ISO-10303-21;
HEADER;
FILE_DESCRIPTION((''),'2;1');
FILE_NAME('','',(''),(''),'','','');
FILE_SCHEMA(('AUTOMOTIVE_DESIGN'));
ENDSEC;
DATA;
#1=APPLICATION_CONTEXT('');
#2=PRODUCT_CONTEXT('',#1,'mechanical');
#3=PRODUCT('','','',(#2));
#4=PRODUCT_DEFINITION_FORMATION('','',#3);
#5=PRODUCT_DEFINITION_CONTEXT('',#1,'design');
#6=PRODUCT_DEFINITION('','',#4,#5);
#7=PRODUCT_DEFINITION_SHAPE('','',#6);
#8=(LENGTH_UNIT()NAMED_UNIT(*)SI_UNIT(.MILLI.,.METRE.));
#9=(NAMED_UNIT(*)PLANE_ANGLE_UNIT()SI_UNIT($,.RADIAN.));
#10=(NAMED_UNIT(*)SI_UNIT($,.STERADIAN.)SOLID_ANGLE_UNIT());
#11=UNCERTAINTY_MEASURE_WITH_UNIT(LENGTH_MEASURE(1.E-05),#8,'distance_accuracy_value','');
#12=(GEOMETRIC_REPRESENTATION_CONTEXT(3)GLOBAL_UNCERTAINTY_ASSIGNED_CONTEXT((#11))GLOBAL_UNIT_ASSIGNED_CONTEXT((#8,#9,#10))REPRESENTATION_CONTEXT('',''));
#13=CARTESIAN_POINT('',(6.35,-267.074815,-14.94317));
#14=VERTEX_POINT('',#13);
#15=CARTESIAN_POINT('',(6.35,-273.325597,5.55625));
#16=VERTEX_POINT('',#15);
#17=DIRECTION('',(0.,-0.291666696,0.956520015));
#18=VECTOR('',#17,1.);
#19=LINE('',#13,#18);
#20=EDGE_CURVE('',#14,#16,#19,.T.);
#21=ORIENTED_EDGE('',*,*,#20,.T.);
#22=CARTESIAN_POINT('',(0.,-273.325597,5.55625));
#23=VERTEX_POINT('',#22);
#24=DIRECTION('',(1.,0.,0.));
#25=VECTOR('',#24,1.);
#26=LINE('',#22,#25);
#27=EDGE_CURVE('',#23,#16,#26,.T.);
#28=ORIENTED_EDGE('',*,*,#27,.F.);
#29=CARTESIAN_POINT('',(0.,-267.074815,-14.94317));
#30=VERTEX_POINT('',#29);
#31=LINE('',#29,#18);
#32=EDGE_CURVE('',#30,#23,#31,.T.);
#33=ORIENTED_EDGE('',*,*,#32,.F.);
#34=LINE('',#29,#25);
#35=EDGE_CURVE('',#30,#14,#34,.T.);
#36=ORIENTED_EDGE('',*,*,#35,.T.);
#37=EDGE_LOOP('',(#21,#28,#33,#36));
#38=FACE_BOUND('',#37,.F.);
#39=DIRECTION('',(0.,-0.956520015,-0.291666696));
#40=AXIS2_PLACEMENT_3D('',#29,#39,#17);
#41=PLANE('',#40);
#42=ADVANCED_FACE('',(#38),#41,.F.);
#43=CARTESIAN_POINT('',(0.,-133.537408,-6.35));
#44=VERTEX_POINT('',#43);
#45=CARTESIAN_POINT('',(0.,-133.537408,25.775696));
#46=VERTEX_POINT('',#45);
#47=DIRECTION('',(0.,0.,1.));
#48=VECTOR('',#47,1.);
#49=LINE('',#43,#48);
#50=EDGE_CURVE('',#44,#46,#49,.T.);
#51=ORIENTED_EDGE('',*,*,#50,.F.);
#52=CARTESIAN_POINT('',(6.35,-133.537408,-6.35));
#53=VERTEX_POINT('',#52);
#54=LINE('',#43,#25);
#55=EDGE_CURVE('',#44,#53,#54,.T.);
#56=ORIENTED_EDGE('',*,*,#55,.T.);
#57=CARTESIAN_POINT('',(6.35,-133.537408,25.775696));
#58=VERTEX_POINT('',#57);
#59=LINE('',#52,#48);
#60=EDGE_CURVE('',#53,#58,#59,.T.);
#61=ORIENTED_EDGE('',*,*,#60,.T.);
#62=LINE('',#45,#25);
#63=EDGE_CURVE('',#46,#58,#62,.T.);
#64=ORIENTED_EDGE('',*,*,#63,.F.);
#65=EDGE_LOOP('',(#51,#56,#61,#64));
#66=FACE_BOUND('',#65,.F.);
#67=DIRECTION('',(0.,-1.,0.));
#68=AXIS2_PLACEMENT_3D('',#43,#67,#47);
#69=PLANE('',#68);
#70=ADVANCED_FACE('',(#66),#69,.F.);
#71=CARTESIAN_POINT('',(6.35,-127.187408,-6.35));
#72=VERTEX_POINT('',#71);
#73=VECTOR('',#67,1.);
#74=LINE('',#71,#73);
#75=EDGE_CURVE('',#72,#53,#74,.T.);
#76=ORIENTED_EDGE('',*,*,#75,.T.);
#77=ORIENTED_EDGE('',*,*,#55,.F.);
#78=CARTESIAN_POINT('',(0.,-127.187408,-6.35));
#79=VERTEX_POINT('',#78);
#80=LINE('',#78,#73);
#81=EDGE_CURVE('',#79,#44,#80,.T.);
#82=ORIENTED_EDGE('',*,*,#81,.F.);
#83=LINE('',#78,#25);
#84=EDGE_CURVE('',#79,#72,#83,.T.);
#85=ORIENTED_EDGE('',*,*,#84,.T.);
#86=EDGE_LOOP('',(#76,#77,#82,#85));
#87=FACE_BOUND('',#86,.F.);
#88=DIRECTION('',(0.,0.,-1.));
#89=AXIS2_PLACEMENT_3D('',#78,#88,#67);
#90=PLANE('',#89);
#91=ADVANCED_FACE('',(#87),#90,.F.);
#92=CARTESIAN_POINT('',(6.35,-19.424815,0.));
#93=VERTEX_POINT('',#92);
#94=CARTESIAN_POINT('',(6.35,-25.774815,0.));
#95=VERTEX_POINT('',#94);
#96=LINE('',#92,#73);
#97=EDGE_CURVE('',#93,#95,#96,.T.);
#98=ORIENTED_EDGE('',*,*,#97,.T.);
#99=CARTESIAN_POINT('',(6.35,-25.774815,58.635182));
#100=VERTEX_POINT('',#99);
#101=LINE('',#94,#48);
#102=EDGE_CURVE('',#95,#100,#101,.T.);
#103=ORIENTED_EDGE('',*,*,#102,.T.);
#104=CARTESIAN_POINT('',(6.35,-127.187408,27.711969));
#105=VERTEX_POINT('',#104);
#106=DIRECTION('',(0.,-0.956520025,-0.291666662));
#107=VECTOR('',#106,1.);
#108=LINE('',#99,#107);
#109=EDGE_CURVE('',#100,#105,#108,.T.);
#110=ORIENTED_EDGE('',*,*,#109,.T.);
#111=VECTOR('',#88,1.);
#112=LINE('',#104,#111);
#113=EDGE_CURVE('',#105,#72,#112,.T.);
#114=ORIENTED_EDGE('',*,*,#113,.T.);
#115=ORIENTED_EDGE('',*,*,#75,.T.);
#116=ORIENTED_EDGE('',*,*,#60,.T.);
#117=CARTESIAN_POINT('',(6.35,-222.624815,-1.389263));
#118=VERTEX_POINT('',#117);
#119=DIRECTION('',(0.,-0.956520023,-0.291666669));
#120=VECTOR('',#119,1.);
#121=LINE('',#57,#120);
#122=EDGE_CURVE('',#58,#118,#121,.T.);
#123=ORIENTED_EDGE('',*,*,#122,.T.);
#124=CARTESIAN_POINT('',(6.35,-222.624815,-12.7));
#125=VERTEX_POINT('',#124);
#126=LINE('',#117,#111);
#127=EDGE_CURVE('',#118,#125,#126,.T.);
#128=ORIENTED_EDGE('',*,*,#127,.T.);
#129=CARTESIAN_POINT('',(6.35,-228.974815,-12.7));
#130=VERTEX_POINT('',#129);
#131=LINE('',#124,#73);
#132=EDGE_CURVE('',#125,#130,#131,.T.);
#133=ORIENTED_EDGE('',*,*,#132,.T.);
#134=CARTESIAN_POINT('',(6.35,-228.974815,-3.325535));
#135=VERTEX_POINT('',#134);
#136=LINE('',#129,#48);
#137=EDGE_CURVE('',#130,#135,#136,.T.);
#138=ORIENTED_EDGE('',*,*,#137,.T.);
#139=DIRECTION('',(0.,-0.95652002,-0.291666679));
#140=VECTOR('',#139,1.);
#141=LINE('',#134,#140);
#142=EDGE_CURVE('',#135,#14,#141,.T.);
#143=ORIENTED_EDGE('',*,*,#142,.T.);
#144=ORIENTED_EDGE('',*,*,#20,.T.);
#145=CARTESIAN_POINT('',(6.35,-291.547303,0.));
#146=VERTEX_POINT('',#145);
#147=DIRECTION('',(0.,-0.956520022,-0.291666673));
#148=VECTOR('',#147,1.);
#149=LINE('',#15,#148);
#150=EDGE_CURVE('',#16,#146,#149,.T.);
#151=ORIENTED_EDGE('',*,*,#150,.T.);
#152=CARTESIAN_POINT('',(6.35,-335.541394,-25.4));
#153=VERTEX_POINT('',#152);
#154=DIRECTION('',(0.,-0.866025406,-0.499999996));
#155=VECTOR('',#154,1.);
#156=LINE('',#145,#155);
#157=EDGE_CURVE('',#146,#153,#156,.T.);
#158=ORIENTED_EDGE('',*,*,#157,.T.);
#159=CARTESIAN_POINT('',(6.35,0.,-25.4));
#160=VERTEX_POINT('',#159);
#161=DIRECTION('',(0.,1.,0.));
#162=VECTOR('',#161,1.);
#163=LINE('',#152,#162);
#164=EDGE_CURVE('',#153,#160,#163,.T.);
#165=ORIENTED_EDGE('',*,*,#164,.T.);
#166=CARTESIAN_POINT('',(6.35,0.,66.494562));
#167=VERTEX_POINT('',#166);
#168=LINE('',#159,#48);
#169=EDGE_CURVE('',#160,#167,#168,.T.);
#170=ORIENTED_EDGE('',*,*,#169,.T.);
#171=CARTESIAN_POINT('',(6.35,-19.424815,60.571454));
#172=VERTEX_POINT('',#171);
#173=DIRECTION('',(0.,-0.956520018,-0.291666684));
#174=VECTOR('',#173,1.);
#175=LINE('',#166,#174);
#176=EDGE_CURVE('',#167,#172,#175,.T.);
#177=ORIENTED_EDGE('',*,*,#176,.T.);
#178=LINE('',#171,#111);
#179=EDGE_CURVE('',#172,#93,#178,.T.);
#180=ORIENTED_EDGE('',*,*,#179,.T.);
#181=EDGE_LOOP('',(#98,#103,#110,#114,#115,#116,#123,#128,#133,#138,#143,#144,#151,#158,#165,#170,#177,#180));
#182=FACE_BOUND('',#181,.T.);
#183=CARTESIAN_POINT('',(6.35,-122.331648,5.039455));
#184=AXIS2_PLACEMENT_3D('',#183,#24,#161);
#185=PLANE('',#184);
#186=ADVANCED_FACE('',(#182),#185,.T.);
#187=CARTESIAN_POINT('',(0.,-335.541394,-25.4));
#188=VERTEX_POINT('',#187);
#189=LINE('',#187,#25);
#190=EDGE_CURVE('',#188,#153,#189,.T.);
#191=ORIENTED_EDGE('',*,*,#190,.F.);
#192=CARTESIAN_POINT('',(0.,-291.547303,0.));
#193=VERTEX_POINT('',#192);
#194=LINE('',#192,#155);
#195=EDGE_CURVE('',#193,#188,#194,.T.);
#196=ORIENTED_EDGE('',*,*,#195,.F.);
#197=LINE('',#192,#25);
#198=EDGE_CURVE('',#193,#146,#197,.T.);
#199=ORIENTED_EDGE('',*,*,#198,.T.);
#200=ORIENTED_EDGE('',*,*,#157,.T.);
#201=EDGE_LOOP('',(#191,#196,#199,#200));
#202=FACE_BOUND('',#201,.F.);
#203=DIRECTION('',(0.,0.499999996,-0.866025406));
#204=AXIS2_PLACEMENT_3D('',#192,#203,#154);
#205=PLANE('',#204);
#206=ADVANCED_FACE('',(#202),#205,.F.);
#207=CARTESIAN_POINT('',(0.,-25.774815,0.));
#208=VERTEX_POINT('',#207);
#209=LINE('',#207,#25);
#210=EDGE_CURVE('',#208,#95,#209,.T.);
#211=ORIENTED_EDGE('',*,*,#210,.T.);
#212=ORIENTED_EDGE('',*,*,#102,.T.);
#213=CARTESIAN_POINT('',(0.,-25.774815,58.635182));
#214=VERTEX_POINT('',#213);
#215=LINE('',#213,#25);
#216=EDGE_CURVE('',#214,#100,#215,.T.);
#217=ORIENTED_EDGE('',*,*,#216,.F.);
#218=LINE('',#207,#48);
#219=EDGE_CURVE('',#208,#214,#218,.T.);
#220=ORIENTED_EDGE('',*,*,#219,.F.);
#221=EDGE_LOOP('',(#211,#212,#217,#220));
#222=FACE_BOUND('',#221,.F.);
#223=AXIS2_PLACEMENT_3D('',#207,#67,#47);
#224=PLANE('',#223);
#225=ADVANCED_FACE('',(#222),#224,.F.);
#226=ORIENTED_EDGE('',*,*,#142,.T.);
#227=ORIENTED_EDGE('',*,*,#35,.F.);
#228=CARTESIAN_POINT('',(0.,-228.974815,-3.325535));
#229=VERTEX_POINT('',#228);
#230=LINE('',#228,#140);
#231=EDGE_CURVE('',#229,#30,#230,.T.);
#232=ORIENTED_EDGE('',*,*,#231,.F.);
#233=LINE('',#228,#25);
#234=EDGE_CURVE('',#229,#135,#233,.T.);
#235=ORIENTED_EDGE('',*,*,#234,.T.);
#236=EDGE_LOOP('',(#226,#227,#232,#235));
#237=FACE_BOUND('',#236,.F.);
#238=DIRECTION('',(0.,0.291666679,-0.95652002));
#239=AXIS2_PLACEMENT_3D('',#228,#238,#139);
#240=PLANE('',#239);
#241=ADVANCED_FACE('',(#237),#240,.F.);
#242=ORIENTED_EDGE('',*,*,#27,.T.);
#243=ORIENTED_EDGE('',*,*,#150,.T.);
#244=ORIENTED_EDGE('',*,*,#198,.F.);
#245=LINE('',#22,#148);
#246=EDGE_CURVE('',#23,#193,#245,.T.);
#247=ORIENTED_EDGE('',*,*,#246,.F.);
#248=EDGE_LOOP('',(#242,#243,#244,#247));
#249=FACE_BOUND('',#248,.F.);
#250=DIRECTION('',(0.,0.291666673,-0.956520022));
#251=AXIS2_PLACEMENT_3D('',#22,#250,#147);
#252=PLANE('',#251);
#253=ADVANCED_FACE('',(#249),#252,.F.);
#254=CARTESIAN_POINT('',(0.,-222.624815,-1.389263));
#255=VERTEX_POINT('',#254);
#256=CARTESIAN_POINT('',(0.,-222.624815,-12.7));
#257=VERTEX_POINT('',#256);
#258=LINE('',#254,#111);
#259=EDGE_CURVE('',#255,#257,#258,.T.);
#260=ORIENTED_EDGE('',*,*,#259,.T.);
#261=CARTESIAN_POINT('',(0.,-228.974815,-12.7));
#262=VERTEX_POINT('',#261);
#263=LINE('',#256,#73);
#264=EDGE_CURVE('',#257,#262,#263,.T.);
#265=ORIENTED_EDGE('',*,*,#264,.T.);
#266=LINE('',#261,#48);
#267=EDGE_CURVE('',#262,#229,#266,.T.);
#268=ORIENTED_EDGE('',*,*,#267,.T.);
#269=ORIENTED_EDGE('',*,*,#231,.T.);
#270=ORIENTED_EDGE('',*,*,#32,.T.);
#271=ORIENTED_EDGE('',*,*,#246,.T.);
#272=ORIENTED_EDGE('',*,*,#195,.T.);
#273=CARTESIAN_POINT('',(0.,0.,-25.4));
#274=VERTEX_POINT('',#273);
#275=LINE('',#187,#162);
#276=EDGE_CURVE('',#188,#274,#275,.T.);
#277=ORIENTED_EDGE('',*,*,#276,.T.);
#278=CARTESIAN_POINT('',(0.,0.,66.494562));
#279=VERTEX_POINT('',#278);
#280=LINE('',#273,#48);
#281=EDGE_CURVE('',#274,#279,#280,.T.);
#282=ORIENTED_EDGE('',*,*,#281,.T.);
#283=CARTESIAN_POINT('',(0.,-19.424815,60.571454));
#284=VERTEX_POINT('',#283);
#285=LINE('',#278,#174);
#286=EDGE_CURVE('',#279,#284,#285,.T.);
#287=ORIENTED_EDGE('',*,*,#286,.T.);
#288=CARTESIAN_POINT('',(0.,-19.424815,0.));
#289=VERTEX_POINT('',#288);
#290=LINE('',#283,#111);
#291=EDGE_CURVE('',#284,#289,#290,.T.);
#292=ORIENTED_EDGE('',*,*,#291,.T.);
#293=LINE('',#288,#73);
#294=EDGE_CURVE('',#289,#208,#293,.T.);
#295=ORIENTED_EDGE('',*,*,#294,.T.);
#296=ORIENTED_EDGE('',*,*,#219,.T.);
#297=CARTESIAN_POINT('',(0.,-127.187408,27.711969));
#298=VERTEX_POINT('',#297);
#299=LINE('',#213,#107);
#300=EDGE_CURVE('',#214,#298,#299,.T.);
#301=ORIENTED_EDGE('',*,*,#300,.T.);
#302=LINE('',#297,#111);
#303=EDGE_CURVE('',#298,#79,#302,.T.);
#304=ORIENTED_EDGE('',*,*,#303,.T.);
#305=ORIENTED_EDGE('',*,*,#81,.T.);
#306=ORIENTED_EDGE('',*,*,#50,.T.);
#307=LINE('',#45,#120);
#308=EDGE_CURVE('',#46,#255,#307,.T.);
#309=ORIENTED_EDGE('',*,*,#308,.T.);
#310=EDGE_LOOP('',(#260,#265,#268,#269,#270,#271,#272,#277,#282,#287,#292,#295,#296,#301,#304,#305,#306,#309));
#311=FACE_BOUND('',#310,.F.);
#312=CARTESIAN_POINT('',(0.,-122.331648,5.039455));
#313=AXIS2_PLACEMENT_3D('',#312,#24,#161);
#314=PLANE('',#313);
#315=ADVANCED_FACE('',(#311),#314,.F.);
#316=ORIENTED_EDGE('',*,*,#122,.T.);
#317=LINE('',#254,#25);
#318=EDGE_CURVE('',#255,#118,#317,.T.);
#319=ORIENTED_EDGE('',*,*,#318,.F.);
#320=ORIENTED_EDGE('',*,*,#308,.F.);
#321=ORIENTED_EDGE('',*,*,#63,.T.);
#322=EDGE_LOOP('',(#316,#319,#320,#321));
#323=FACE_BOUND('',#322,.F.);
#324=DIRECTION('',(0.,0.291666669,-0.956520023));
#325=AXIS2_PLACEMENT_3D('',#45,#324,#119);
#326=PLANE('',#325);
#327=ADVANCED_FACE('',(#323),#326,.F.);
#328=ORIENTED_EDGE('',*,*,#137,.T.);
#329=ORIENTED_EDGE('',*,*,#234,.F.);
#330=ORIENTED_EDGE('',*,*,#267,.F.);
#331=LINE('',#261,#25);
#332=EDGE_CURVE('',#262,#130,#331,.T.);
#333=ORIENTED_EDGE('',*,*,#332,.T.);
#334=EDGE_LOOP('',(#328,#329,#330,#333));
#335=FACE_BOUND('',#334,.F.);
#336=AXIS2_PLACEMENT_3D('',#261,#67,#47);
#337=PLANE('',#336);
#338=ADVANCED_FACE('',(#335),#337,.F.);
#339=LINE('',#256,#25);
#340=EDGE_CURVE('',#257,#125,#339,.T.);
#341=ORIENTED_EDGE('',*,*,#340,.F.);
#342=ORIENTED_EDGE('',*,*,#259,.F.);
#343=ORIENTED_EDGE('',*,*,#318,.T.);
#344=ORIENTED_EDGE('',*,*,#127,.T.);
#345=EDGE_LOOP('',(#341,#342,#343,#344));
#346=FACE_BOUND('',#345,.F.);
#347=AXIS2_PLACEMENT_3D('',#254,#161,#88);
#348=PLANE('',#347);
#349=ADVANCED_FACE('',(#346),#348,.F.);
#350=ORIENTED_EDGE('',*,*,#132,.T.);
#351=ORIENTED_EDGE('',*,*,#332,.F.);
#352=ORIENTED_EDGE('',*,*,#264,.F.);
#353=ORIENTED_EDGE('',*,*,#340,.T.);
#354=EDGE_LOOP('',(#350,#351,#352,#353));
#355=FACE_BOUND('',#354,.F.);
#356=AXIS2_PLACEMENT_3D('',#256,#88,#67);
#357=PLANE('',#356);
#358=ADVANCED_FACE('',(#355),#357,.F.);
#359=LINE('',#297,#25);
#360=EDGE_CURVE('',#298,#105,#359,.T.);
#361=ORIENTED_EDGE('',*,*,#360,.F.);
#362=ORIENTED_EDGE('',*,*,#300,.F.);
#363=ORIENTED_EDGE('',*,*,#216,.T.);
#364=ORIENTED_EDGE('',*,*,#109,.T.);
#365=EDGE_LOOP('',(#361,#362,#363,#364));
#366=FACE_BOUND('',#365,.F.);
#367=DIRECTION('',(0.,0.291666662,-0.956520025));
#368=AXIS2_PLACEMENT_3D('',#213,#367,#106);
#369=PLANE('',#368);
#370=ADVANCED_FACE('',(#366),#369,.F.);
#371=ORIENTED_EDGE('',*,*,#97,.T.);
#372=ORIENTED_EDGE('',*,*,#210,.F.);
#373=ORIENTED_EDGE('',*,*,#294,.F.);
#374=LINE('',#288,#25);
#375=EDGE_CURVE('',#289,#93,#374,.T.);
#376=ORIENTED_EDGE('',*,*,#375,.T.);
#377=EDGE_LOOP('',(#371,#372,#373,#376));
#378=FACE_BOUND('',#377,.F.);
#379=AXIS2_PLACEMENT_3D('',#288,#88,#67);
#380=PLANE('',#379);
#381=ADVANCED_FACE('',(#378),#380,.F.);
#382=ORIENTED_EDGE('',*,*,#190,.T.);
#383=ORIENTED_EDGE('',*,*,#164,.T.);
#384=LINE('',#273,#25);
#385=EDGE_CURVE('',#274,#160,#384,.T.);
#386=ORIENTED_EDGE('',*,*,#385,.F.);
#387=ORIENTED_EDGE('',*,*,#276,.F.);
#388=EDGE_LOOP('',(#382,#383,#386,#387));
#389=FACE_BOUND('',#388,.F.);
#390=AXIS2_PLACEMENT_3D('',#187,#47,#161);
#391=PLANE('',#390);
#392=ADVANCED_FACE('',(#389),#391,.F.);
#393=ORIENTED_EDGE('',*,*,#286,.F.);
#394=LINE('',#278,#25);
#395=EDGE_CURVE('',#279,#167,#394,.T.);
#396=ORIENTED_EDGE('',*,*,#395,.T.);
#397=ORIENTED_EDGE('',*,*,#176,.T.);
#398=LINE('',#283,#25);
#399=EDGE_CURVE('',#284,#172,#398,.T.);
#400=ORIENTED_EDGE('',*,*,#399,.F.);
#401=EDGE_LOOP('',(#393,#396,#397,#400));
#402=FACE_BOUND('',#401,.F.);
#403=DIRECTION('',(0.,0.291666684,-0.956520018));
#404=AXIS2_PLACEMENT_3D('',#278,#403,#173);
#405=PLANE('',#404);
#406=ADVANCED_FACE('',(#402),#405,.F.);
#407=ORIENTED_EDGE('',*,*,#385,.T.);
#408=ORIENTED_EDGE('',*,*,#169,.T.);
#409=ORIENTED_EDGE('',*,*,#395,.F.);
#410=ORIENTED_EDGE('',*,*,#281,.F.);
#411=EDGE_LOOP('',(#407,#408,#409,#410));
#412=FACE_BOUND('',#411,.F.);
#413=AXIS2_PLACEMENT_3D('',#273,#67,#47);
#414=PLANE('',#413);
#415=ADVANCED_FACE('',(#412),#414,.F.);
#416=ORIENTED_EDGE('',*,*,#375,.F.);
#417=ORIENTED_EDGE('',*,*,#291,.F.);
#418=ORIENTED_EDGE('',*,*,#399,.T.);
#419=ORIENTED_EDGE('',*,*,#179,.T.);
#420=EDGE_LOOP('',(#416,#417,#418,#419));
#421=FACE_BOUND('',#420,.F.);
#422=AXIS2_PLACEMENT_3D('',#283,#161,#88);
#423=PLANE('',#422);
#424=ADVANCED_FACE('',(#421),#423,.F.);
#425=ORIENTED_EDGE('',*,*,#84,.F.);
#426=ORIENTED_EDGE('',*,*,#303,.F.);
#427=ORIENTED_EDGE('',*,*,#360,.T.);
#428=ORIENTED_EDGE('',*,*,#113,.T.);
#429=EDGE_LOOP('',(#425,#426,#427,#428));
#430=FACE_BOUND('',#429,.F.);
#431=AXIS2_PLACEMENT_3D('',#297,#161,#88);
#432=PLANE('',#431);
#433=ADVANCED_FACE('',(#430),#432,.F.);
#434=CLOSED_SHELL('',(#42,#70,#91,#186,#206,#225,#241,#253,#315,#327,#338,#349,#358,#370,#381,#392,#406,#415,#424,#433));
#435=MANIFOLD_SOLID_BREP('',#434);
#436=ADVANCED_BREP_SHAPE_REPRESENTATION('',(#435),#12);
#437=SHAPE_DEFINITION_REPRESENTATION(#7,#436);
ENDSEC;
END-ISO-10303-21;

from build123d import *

# Parameters (mm, degrees)
F1_DEPTH = 6.35


with BuildPart() as f1:
    # F0 (on Right) → F1 (new body)
    with BuildSketch(Plane.YZ):
        Polygon((-291.547303, 0), (-291.547303, -25.4), (0, -25.4), (0, 66.494562), (-19.424815, 60.571454), (-19.424815, 0), (-25.774815, 0), (-25.774815, 58.635182), (-127.187408, 27.711969), (-127.187408, -6.35), (-133.537408, -6.35), (-133.537408, 25.775696), (-222.624815, -1.389263), (-222.624815, -12.7), (-228.974815, -12.7), (-228.974815, -3.325535), (-267.074815, -14.94317), (-273.325597, 5.55625), align=None)
        Polygon((-335.541394, -25.4), (-291.547303, -25.4), (-291.547303, 0), align=None)
    extrude(amount=F1_DEPTH)


solid = f1.part
